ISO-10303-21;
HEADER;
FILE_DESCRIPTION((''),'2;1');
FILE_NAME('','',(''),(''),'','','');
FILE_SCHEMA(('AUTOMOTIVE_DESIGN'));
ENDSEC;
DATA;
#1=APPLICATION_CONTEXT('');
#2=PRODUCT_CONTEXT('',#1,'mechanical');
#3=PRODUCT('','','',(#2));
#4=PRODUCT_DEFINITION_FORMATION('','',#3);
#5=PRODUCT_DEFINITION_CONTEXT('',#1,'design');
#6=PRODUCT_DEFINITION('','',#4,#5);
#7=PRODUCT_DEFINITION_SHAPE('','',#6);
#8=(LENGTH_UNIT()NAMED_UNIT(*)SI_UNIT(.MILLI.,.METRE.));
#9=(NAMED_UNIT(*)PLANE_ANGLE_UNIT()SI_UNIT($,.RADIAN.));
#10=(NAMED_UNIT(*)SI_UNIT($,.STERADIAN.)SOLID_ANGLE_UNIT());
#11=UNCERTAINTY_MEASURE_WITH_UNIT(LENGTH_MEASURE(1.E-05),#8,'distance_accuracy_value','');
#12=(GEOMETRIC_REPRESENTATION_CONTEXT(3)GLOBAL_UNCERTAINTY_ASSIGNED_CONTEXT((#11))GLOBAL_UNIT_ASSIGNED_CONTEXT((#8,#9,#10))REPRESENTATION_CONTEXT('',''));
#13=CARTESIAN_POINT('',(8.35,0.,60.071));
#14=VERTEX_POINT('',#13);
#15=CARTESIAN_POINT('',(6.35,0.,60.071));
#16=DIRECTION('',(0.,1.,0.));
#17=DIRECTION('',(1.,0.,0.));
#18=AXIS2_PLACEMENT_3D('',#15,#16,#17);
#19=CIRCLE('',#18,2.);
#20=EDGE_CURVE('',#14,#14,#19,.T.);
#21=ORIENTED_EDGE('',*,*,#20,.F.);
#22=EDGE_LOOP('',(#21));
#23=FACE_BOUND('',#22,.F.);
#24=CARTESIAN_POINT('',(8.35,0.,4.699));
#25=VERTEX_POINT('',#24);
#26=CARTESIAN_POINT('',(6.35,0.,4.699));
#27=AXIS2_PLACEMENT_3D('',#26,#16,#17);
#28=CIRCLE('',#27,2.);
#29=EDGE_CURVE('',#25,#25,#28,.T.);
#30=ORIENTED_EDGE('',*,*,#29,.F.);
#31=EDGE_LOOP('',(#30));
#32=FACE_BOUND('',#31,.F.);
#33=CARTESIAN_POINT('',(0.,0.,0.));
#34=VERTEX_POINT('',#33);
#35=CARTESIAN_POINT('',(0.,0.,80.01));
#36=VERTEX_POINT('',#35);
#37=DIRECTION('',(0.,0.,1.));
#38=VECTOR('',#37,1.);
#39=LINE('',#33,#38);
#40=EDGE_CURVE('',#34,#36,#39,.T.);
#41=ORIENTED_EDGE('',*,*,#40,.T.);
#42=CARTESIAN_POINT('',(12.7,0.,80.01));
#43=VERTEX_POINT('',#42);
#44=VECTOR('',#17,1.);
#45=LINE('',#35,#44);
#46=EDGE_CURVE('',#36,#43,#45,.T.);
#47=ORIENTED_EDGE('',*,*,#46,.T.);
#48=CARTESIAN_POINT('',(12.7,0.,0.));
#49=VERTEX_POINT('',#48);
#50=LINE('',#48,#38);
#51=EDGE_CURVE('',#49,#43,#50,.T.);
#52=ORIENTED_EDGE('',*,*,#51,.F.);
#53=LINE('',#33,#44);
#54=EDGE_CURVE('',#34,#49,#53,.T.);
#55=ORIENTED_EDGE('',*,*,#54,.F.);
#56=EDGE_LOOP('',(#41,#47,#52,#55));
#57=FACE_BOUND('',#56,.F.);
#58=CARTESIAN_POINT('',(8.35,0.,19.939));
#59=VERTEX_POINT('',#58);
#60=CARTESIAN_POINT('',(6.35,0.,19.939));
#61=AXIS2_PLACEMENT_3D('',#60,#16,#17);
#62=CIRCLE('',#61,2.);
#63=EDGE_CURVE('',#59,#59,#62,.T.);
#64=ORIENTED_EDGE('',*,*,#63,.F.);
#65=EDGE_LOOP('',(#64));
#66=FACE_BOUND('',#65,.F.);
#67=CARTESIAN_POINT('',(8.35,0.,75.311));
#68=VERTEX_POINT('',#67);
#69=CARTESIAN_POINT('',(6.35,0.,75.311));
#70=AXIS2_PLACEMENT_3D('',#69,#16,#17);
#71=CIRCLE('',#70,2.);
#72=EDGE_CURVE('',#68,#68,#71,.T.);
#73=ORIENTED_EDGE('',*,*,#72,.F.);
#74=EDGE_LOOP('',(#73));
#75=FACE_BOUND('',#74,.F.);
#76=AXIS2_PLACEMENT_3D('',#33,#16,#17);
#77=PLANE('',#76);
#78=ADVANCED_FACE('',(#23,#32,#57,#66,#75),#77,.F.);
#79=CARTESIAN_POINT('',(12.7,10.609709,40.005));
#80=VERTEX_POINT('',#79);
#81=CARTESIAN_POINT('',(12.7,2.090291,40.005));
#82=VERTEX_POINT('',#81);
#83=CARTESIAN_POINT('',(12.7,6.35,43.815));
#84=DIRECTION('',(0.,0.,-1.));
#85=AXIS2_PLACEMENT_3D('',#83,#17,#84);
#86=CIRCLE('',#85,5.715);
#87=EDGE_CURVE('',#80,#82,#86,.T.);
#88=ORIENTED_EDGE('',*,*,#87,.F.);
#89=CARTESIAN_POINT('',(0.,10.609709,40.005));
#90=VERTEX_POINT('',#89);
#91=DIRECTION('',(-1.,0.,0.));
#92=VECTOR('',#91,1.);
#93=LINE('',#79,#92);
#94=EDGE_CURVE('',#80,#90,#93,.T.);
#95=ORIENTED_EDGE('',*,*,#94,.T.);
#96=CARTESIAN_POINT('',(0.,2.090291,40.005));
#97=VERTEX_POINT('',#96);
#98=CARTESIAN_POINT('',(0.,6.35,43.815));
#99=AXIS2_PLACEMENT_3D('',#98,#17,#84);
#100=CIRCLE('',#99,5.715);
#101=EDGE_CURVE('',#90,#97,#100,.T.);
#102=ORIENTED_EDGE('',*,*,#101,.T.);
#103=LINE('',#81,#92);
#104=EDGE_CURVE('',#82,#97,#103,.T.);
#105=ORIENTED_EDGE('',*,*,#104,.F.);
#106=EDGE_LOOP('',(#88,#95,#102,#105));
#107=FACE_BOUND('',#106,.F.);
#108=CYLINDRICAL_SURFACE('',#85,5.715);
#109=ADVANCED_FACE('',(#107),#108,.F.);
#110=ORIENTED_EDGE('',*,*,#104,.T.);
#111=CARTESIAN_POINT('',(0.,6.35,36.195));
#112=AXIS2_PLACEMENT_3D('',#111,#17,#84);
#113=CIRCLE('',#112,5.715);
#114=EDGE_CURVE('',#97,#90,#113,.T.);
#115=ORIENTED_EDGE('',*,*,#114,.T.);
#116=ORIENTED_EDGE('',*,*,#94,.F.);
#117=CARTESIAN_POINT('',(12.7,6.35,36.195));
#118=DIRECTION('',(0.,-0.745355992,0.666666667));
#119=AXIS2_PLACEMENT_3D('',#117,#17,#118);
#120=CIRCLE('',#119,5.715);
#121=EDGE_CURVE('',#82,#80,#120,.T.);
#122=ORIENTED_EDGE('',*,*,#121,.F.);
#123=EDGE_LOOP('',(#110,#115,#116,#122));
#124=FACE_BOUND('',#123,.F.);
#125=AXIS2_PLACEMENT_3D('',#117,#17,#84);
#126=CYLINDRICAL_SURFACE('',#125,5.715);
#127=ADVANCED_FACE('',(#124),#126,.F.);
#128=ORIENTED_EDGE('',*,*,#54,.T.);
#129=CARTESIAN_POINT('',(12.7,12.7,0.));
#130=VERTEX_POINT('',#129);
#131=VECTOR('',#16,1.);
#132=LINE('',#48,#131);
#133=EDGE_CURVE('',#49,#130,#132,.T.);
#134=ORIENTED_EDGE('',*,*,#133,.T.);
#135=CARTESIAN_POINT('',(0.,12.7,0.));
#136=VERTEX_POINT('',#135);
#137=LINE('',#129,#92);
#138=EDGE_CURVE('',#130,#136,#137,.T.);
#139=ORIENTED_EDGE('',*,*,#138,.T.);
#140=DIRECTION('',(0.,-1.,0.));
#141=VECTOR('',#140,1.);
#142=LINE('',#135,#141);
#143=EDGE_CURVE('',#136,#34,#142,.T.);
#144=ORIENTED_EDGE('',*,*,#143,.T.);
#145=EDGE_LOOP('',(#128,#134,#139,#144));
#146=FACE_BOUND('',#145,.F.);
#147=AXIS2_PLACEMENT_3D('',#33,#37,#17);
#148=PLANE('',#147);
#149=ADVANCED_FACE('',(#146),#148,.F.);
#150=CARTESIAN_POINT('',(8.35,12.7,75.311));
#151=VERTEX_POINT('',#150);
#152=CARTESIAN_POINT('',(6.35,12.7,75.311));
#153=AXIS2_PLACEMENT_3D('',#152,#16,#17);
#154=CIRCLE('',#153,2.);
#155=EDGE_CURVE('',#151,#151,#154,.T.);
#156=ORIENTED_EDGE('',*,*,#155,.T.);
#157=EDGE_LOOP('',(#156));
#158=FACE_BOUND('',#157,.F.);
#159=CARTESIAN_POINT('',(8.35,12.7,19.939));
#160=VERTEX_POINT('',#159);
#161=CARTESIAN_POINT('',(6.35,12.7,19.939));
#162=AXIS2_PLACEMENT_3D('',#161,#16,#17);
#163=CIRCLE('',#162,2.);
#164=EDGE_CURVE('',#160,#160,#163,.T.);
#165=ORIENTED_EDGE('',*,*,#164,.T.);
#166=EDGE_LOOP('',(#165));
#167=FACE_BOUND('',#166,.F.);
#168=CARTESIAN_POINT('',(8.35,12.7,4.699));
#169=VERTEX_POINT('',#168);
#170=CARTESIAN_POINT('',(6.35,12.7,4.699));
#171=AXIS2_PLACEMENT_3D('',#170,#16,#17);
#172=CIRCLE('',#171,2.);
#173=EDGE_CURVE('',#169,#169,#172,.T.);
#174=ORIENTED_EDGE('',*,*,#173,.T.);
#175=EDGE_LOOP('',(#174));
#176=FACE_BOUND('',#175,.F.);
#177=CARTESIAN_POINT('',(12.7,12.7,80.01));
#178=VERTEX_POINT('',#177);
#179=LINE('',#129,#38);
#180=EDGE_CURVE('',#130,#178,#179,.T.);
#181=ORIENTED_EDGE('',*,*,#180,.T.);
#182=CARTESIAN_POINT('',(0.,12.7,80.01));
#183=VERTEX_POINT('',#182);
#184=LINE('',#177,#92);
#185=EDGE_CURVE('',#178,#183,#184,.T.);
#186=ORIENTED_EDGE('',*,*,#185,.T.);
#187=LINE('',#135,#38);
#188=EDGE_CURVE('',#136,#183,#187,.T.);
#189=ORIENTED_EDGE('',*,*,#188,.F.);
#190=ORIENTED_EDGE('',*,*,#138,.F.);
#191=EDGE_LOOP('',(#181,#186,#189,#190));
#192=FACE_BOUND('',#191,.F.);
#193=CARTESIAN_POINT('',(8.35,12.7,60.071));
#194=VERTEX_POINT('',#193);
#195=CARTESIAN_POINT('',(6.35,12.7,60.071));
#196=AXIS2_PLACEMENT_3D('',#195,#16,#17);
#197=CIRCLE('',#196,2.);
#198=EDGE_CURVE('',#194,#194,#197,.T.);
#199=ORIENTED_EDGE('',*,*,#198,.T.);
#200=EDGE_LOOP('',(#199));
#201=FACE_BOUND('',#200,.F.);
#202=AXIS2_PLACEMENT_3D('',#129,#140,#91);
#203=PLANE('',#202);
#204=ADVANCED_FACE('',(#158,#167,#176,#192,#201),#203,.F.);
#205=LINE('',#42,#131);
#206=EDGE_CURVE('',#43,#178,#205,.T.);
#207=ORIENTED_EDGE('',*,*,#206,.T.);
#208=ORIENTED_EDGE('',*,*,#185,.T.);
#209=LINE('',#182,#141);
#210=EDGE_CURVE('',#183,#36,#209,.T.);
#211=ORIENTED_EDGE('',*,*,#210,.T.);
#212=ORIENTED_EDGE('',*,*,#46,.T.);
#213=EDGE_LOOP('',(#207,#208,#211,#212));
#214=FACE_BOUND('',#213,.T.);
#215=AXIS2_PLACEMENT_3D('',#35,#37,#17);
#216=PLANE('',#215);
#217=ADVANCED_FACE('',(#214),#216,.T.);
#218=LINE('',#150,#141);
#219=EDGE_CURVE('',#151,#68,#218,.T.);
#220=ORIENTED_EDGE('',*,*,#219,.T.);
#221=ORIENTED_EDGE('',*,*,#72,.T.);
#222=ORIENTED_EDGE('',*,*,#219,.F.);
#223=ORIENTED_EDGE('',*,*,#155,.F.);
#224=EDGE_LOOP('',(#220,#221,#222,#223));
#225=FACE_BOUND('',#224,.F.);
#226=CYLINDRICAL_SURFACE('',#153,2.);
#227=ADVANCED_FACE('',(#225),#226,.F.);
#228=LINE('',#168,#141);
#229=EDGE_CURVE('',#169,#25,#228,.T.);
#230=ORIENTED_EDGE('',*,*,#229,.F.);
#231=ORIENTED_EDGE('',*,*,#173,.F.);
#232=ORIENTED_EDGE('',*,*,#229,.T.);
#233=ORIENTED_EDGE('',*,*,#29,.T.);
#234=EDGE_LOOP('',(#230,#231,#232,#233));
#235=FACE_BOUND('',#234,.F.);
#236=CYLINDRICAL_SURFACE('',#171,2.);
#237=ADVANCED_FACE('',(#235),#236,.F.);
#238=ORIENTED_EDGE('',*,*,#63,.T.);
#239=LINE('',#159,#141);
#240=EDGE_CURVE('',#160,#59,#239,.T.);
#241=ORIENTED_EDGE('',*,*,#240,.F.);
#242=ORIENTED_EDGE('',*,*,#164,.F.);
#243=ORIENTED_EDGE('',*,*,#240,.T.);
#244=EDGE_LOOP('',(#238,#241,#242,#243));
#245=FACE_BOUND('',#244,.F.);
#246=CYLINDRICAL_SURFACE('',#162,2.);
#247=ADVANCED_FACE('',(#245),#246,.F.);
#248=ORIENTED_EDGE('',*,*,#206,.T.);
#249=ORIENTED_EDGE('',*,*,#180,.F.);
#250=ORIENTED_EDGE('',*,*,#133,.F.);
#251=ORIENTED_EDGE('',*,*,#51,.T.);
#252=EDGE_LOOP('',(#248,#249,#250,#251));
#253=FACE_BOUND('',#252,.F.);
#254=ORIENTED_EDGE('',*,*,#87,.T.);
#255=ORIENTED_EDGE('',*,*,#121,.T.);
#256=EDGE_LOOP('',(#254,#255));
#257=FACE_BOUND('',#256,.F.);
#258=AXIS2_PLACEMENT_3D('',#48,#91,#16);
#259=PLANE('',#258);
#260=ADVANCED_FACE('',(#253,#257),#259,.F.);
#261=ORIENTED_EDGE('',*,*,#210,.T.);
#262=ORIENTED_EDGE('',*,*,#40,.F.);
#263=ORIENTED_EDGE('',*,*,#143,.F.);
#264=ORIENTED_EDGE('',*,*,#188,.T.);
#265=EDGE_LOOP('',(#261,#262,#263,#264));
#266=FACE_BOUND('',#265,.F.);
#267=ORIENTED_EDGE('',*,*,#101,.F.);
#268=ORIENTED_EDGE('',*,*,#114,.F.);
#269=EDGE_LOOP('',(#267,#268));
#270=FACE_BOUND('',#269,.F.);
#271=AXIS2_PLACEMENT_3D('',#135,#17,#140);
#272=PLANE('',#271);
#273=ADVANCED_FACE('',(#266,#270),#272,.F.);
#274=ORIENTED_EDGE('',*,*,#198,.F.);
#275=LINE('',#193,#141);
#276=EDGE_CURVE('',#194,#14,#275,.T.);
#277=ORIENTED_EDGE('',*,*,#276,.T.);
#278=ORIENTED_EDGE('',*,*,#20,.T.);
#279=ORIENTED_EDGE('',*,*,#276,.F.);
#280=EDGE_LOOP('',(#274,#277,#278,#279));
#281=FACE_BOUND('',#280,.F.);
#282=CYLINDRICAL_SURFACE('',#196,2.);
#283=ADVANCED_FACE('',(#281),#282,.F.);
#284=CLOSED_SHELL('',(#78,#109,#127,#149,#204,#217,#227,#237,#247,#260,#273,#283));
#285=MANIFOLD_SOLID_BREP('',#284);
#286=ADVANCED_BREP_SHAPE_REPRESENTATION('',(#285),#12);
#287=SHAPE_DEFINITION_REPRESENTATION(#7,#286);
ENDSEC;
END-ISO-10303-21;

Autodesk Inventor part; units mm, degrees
ref_plane "YZ Plane" through (0, 0, 0) normal (1, 0, 0) x (0, 1, 0)
ref_plane "XZ Plane" through (0, 0, 0) normal (0, 1, 0) x (-1, 0, 0)
ref_plane "XY Plane" through (0, 0, 0) normal (0, 0, 1) x (1, 0, 0)
sketch "Sketch1" plane through (0, 0, 0) normal (0, 0, 1) x (1, 0, 0)
  line L0 (0, 0) -> (12.7, 0)
  line L1 (12.7, 0) -> (12.7, 12.7)
  line L2 (12.7, 12.7) -> (0, 12.7)
  line L3 (0, 12.7) -> (0, 0)
  dimension "d0" = 12.7
  dimension "d1" = 12.7
extrude "Extrusion1" add sketch "Sketch1" along normal blind 80.01
sketch "Sketch2" plane through (12.7, 0, 0) normal (1, 0, 0) x (0, 0, -1)
  circle A0 centre (-43.815, 6.35) radius 5.715
  circle A1 centre (-36.195, 6.35) radius 5.715
  line L0 (-43.815, 6.35) -> (-36.195, 6.35) construction
  line L1 (0, 12.7) -> (-80.01, 12.7) construction
  line L2 (-36.195, 6.35) -> (-40.005, 6.35) construction
  line L3 (-80.01, 0) -> (-80.01, 12.7) construction
  point P0 (0, 0)
  point P1 (-40.005, 10.6097)
  point P2 (-40.005, 2.0903)
  dimension "d4" = 11.43
  dimension "d5" = 11.43
  dimension "d6" = 6.35
  dimension "d7" = 7.62
  dimension "d8" = 40.005
extrude "Extrusion2" cut sketch "Sketch2" against normal through all
sketch "Sketch3" plane through (0, 12.7, 0) normal (0, 1, 0) x (1, 0, 0)
  circle A0 centre (6.35, -75.311) radius 2
  line L0 (12.7, -80.01) -> (0, -80.01) projected
  line L1 (0, 0) -> (0, -80.01) projected
  circle A1 centre (6.35, -60.071) radius 2
  circle A2 centre (6.35, -4.699) radius 2
  circle A3 centre (6.35, -19.939) radius 2
  line L2 (12.7, 0) -> (0, 0) projected
  dimension "d11" = 4
  dimension "d12" = 4.699
  dimension "d13" = 6.35
  dimension "d14" = 4
  dimension "d15" = 15.24
  dimension "d16" = 6.35
  dimension "d17" = 4
  dimension "d18" = 4
  dimension "d19" = 6.35
  dimension "d20" = 6.35
  dimension "d21" = 4.699
  dimension "d22" = 15.24
extrude "Extrusion3" cut sketch "Sketch3" against normal through all
properties part number "Mockup Load Cell (based on 1kg Adafruit)"
